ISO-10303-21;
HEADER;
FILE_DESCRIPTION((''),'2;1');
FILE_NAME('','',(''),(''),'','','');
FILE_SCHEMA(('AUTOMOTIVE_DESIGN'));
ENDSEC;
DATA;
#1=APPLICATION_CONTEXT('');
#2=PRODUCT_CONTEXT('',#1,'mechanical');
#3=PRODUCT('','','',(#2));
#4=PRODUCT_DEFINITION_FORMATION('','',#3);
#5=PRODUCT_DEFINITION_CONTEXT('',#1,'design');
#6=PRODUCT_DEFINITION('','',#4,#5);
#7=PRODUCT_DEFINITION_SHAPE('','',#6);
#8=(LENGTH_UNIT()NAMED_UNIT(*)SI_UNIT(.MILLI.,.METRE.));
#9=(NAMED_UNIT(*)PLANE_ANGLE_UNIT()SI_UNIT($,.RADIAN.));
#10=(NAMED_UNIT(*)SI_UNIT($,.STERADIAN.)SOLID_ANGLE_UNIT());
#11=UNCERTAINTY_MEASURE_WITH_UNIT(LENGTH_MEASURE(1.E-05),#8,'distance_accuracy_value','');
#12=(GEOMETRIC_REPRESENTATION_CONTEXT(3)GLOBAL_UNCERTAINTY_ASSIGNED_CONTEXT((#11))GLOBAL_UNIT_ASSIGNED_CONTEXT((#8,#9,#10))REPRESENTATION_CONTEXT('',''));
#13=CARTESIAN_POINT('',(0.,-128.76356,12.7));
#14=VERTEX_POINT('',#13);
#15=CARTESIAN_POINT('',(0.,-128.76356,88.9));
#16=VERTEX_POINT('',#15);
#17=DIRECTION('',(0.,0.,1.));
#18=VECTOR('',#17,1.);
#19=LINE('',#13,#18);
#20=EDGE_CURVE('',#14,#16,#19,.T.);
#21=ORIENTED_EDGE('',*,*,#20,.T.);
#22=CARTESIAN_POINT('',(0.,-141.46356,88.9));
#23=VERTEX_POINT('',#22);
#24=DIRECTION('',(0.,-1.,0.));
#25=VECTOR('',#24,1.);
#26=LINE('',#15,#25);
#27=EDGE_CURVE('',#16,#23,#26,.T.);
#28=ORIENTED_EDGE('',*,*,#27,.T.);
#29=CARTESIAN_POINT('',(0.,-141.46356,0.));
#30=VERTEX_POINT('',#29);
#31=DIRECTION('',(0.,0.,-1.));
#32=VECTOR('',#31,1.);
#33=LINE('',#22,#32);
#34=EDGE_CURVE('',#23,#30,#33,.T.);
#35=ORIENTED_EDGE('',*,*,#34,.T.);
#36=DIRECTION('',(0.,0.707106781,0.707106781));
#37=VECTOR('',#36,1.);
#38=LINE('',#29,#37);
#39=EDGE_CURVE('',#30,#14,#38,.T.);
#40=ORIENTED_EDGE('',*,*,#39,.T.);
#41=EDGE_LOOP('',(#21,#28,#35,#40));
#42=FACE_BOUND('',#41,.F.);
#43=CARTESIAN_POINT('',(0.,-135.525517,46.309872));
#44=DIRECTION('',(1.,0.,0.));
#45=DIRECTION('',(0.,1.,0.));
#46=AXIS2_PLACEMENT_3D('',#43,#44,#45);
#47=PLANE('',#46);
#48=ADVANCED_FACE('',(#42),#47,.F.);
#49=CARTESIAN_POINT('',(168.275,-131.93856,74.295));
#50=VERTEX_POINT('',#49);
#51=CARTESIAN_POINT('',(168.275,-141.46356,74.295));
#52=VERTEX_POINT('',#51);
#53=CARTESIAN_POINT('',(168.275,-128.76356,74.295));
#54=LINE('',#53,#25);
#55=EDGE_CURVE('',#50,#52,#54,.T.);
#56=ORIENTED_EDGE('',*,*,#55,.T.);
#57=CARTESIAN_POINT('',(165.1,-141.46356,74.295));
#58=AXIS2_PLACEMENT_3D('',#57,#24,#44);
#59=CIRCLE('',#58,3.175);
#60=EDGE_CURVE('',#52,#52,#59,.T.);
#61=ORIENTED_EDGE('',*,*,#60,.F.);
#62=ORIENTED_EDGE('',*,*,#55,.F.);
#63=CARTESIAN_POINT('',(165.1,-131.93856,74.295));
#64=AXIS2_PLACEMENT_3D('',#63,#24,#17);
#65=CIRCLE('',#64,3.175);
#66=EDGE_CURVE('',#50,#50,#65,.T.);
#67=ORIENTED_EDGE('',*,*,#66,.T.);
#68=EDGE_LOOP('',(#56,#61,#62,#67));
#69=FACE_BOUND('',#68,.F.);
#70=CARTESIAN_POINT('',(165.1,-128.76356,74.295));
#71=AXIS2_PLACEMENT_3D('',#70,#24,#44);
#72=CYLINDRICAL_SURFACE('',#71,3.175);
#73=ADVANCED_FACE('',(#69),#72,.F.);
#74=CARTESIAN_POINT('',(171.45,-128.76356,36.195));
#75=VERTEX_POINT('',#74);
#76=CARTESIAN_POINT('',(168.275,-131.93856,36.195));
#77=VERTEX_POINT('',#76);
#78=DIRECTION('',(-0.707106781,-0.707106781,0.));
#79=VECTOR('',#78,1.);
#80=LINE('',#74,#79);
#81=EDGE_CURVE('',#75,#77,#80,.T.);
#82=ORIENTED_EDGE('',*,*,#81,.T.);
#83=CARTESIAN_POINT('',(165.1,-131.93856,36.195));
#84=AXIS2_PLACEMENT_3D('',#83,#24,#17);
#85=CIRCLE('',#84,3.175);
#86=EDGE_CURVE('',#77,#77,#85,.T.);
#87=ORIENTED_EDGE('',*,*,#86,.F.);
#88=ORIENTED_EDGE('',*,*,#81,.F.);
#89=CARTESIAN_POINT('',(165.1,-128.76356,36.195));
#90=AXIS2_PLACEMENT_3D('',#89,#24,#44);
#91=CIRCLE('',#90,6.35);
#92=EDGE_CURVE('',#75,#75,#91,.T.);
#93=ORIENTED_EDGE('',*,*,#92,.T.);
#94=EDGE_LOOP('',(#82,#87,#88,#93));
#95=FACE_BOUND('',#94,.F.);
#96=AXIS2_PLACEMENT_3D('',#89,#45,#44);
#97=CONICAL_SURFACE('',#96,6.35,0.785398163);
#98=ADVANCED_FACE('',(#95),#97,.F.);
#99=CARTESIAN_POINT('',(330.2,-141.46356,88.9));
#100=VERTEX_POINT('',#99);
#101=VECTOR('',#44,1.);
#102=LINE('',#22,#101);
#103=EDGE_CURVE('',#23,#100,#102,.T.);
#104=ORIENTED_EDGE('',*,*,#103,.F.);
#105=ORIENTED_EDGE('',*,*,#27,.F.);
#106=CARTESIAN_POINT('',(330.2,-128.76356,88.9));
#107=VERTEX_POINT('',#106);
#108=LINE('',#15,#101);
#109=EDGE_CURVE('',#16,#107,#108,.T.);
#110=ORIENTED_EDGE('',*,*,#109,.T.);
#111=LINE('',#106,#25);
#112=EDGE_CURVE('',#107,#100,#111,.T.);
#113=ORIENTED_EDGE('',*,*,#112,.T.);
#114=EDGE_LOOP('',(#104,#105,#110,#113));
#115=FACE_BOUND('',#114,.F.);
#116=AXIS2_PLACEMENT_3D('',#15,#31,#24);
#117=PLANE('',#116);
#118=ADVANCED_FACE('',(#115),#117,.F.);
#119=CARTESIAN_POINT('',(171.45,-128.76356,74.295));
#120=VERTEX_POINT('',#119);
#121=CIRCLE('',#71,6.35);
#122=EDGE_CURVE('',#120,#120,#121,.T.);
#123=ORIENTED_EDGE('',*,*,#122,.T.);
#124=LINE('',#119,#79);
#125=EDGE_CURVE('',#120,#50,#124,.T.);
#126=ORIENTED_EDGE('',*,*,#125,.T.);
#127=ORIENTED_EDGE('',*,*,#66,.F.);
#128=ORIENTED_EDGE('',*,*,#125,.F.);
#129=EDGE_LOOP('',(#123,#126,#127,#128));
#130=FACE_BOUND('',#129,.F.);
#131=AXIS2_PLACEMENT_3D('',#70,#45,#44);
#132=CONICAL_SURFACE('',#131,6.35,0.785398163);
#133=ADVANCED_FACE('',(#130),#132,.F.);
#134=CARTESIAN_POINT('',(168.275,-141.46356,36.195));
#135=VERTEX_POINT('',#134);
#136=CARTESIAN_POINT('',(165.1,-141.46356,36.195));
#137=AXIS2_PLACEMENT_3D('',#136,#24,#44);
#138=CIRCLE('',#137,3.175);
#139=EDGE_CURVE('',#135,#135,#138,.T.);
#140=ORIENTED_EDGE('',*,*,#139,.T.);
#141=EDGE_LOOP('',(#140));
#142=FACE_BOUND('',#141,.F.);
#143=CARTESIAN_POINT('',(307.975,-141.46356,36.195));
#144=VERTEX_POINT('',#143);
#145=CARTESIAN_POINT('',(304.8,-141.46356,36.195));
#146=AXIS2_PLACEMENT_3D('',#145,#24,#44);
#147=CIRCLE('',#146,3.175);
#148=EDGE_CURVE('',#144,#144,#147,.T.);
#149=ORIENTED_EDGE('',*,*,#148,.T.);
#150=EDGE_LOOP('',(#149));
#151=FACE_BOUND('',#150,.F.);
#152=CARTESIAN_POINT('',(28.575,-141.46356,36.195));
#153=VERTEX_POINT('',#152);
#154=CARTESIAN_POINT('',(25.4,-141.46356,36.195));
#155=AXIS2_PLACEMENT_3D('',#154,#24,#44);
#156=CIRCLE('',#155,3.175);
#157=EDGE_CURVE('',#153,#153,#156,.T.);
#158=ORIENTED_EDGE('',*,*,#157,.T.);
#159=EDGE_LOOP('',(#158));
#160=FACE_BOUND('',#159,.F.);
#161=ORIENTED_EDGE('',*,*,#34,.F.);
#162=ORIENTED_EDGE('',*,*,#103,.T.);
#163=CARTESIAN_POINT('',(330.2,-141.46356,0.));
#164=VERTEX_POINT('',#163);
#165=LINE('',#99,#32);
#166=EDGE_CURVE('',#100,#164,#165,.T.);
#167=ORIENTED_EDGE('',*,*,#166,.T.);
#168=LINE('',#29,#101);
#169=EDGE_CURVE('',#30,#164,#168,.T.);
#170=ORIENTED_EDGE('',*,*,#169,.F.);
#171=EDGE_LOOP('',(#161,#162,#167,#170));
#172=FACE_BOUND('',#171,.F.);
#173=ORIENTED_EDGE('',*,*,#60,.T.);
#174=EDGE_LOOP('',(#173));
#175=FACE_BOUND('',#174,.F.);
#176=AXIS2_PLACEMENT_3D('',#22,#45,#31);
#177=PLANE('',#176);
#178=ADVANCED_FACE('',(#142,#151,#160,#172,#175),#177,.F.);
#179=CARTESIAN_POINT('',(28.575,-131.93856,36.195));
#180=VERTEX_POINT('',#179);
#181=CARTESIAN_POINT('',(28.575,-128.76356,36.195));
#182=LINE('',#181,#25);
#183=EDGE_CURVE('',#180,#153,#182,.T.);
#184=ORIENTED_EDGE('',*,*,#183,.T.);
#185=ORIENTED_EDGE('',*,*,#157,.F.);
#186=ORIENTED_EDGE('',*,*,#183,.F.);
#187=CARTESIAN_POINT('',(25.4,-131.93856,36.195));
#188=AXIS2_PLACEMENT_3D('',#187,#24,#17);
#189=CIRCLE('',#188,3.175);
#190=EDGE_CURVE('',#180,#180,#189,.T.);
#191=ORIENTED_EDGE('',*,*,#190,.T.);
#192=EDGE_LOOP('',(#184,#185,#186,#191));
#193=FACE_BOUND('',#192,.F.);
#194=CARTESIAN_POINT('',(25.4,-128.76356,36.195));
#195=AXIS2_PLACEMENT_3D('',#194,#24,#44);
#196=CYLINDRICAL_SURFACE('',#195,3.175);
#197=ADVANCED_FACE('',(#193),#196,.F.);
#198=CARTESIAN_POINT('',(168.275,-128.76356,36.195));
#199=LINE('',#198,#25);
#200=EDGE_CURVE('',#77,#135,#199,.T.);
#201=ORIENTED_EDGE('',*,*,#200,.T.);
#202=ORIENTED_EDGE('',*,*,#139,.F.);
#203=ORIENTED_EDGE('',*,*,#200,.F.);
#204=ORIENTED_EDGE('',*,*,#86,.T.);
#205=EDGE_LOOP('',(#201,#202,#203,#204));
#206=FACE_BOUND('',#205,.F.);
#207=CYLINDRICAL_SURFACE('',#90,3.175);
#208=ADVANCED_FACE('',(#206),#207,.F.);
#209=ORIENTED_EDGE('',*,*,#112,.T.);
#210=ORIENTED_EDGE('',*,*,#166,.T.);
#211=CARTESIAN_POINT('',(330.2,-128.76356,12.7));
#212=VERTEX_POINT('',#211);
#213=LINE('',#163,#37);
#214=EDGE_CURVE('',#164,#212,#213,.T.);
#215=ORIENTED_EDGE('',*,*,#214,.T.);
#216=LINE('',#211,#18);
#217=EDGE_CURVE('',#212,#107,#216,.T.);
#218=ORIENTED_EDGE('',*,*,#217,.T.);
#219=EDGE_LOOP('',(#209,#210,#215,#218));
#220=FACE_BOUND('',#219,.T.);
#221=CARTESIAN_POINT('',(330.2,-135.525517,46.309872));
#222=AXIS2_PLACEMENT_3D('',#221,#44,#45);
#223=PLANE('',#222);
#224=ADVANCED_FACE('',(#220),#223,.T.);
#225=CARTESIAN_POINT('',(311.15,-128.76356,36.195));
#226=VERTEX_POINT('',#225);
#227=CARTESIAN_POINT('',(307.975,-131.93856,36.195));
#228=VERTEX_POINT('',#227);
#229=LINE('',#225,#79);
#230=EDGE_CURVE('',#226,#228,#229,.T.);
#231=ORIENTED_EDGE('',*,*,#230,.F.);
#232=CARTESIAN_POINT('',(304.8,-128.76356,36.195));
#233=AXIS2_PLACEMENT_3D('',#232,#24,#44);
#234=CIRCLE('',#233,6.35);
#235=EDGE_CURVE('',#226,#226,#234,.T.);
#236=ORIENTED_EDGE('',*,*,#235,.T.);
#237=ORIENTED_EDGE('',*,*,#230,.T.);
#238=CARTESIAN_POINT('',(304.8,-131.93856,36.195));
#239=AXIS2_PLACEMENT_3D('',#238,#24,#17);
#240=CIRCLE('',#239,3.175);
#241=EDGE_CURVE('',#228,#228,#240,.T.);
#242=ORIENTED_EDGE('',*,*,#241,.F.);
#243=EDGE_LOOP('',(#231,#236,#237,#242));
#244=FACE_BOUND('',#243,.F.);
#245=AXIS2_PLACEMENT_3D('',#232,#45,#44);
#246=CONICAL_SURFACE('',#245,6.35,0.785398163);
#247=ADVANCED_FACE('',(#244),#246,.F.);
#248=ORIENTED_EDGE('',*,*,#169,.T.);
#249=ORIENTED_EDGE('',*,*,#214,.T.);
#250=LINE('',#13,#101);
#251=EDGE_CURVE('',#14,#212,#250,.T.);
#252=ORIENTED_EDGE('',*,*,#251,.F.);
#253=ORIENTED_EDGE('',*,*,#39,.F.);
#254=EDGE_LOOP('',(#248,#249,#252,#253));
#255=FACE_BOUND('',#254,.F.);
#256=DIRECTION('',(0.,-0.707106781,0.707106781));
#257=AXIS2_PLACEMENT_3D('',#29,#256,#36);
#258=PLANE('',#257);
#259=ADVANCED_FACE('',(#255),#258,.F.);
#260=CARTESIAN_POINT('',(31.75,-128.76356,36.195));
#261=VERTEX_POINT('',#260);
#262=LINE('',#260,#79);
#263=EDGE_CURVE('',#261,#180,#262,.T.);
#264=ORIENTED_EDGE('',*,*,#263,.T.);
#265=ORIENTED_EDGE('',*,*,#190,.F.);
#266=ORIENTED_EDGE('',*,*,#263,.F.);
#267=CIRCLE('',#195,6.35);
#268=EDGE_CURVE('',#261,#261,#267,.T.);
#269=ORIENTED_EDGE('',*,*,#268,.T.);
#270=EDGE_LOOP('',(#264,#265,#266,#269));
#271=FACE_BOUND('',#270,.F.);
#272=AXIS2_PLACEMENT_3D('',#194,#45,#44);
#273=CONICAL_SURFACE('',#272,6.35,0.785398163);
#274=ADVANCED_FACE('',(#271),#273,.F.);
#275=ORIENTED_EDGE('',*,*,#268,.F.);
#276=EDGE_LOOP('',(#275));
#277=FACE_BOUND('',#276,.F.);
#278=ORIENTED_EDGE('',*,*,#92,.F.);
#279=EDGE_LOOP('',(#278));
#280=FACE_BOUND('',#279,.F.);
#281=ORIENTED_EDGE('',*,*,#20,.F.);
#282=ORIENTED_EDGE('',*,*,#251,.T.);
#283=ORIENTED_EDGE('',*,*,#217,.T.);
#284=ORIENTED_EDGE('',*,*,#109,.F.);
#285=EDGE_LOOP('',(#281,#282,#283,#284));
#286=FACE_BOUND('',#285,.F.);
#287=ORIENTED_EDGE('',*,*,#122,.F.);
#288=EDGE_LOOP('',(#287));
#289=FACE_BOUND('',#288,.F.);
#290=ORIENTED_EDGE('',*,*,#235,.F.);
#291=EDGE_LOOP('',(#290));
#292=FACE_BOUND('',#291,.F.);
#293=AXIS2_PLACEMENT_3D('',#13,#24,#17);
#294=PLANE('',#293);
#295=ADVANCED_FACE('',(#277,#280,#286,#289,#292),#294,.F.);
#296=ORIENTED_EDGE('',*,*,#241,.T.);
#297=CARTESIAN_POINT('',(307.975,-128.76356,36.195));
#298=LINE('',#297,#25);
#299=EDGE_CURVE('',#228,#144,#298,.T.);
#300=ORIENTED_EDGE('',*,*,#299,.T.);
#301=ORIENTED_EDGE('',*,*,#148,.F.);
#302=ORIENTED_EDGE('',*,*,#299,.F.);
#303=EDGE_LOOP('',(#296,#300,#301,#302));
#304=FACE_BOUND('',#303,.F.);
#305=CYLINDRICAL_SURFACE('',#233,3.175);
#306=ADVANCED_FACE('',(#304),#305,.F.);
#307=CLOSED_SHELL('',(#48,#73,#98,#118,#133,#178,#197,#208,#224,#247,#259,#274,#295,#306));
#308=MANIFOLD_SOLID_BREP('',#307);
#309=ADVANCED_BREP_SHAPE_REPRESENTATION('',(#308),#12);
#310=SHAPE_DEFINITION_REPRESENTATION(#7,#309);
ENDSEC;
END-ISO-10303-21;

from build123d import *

# Parameters (mm, degrees)
F1_DEPTH       = 330.2
F3_D           = 6.35
F3_CSINK_D     = 12.7
F3_CSINK_ANGLE = 90


with BuildPart() as f1:
    # F0 (on Right) → F1 (new body)
    with BuildSketch(Plane.YZ):
        Polygon((-128.76356, 88.9), (-141.46356, 88.9), (-141.46356, 0), (-128.76356, 12.7), align=None)
    extrude(amount=F1_DEPTH)

    # F3 (through all)
    with Locations(Plane(origin=(0, -128.76356, 0), x_dir=(-1, 0, 0), z_dir=(0, 1, 0))):
        with Locations((-165.1, 36.195), (-165.1, 74.295), (-304.8, 36.195), (-25.4, 36.195), (38.1, 36.195), (-431.8, 36.195), (-368.3, 36.195), (38.1, 36.195)):
            CounterSinkHole(F3_D / 2, F3_CSINK_D / 2, counter_sink_angle=F3_CSINK_ANGLE)


solid = f1.part
